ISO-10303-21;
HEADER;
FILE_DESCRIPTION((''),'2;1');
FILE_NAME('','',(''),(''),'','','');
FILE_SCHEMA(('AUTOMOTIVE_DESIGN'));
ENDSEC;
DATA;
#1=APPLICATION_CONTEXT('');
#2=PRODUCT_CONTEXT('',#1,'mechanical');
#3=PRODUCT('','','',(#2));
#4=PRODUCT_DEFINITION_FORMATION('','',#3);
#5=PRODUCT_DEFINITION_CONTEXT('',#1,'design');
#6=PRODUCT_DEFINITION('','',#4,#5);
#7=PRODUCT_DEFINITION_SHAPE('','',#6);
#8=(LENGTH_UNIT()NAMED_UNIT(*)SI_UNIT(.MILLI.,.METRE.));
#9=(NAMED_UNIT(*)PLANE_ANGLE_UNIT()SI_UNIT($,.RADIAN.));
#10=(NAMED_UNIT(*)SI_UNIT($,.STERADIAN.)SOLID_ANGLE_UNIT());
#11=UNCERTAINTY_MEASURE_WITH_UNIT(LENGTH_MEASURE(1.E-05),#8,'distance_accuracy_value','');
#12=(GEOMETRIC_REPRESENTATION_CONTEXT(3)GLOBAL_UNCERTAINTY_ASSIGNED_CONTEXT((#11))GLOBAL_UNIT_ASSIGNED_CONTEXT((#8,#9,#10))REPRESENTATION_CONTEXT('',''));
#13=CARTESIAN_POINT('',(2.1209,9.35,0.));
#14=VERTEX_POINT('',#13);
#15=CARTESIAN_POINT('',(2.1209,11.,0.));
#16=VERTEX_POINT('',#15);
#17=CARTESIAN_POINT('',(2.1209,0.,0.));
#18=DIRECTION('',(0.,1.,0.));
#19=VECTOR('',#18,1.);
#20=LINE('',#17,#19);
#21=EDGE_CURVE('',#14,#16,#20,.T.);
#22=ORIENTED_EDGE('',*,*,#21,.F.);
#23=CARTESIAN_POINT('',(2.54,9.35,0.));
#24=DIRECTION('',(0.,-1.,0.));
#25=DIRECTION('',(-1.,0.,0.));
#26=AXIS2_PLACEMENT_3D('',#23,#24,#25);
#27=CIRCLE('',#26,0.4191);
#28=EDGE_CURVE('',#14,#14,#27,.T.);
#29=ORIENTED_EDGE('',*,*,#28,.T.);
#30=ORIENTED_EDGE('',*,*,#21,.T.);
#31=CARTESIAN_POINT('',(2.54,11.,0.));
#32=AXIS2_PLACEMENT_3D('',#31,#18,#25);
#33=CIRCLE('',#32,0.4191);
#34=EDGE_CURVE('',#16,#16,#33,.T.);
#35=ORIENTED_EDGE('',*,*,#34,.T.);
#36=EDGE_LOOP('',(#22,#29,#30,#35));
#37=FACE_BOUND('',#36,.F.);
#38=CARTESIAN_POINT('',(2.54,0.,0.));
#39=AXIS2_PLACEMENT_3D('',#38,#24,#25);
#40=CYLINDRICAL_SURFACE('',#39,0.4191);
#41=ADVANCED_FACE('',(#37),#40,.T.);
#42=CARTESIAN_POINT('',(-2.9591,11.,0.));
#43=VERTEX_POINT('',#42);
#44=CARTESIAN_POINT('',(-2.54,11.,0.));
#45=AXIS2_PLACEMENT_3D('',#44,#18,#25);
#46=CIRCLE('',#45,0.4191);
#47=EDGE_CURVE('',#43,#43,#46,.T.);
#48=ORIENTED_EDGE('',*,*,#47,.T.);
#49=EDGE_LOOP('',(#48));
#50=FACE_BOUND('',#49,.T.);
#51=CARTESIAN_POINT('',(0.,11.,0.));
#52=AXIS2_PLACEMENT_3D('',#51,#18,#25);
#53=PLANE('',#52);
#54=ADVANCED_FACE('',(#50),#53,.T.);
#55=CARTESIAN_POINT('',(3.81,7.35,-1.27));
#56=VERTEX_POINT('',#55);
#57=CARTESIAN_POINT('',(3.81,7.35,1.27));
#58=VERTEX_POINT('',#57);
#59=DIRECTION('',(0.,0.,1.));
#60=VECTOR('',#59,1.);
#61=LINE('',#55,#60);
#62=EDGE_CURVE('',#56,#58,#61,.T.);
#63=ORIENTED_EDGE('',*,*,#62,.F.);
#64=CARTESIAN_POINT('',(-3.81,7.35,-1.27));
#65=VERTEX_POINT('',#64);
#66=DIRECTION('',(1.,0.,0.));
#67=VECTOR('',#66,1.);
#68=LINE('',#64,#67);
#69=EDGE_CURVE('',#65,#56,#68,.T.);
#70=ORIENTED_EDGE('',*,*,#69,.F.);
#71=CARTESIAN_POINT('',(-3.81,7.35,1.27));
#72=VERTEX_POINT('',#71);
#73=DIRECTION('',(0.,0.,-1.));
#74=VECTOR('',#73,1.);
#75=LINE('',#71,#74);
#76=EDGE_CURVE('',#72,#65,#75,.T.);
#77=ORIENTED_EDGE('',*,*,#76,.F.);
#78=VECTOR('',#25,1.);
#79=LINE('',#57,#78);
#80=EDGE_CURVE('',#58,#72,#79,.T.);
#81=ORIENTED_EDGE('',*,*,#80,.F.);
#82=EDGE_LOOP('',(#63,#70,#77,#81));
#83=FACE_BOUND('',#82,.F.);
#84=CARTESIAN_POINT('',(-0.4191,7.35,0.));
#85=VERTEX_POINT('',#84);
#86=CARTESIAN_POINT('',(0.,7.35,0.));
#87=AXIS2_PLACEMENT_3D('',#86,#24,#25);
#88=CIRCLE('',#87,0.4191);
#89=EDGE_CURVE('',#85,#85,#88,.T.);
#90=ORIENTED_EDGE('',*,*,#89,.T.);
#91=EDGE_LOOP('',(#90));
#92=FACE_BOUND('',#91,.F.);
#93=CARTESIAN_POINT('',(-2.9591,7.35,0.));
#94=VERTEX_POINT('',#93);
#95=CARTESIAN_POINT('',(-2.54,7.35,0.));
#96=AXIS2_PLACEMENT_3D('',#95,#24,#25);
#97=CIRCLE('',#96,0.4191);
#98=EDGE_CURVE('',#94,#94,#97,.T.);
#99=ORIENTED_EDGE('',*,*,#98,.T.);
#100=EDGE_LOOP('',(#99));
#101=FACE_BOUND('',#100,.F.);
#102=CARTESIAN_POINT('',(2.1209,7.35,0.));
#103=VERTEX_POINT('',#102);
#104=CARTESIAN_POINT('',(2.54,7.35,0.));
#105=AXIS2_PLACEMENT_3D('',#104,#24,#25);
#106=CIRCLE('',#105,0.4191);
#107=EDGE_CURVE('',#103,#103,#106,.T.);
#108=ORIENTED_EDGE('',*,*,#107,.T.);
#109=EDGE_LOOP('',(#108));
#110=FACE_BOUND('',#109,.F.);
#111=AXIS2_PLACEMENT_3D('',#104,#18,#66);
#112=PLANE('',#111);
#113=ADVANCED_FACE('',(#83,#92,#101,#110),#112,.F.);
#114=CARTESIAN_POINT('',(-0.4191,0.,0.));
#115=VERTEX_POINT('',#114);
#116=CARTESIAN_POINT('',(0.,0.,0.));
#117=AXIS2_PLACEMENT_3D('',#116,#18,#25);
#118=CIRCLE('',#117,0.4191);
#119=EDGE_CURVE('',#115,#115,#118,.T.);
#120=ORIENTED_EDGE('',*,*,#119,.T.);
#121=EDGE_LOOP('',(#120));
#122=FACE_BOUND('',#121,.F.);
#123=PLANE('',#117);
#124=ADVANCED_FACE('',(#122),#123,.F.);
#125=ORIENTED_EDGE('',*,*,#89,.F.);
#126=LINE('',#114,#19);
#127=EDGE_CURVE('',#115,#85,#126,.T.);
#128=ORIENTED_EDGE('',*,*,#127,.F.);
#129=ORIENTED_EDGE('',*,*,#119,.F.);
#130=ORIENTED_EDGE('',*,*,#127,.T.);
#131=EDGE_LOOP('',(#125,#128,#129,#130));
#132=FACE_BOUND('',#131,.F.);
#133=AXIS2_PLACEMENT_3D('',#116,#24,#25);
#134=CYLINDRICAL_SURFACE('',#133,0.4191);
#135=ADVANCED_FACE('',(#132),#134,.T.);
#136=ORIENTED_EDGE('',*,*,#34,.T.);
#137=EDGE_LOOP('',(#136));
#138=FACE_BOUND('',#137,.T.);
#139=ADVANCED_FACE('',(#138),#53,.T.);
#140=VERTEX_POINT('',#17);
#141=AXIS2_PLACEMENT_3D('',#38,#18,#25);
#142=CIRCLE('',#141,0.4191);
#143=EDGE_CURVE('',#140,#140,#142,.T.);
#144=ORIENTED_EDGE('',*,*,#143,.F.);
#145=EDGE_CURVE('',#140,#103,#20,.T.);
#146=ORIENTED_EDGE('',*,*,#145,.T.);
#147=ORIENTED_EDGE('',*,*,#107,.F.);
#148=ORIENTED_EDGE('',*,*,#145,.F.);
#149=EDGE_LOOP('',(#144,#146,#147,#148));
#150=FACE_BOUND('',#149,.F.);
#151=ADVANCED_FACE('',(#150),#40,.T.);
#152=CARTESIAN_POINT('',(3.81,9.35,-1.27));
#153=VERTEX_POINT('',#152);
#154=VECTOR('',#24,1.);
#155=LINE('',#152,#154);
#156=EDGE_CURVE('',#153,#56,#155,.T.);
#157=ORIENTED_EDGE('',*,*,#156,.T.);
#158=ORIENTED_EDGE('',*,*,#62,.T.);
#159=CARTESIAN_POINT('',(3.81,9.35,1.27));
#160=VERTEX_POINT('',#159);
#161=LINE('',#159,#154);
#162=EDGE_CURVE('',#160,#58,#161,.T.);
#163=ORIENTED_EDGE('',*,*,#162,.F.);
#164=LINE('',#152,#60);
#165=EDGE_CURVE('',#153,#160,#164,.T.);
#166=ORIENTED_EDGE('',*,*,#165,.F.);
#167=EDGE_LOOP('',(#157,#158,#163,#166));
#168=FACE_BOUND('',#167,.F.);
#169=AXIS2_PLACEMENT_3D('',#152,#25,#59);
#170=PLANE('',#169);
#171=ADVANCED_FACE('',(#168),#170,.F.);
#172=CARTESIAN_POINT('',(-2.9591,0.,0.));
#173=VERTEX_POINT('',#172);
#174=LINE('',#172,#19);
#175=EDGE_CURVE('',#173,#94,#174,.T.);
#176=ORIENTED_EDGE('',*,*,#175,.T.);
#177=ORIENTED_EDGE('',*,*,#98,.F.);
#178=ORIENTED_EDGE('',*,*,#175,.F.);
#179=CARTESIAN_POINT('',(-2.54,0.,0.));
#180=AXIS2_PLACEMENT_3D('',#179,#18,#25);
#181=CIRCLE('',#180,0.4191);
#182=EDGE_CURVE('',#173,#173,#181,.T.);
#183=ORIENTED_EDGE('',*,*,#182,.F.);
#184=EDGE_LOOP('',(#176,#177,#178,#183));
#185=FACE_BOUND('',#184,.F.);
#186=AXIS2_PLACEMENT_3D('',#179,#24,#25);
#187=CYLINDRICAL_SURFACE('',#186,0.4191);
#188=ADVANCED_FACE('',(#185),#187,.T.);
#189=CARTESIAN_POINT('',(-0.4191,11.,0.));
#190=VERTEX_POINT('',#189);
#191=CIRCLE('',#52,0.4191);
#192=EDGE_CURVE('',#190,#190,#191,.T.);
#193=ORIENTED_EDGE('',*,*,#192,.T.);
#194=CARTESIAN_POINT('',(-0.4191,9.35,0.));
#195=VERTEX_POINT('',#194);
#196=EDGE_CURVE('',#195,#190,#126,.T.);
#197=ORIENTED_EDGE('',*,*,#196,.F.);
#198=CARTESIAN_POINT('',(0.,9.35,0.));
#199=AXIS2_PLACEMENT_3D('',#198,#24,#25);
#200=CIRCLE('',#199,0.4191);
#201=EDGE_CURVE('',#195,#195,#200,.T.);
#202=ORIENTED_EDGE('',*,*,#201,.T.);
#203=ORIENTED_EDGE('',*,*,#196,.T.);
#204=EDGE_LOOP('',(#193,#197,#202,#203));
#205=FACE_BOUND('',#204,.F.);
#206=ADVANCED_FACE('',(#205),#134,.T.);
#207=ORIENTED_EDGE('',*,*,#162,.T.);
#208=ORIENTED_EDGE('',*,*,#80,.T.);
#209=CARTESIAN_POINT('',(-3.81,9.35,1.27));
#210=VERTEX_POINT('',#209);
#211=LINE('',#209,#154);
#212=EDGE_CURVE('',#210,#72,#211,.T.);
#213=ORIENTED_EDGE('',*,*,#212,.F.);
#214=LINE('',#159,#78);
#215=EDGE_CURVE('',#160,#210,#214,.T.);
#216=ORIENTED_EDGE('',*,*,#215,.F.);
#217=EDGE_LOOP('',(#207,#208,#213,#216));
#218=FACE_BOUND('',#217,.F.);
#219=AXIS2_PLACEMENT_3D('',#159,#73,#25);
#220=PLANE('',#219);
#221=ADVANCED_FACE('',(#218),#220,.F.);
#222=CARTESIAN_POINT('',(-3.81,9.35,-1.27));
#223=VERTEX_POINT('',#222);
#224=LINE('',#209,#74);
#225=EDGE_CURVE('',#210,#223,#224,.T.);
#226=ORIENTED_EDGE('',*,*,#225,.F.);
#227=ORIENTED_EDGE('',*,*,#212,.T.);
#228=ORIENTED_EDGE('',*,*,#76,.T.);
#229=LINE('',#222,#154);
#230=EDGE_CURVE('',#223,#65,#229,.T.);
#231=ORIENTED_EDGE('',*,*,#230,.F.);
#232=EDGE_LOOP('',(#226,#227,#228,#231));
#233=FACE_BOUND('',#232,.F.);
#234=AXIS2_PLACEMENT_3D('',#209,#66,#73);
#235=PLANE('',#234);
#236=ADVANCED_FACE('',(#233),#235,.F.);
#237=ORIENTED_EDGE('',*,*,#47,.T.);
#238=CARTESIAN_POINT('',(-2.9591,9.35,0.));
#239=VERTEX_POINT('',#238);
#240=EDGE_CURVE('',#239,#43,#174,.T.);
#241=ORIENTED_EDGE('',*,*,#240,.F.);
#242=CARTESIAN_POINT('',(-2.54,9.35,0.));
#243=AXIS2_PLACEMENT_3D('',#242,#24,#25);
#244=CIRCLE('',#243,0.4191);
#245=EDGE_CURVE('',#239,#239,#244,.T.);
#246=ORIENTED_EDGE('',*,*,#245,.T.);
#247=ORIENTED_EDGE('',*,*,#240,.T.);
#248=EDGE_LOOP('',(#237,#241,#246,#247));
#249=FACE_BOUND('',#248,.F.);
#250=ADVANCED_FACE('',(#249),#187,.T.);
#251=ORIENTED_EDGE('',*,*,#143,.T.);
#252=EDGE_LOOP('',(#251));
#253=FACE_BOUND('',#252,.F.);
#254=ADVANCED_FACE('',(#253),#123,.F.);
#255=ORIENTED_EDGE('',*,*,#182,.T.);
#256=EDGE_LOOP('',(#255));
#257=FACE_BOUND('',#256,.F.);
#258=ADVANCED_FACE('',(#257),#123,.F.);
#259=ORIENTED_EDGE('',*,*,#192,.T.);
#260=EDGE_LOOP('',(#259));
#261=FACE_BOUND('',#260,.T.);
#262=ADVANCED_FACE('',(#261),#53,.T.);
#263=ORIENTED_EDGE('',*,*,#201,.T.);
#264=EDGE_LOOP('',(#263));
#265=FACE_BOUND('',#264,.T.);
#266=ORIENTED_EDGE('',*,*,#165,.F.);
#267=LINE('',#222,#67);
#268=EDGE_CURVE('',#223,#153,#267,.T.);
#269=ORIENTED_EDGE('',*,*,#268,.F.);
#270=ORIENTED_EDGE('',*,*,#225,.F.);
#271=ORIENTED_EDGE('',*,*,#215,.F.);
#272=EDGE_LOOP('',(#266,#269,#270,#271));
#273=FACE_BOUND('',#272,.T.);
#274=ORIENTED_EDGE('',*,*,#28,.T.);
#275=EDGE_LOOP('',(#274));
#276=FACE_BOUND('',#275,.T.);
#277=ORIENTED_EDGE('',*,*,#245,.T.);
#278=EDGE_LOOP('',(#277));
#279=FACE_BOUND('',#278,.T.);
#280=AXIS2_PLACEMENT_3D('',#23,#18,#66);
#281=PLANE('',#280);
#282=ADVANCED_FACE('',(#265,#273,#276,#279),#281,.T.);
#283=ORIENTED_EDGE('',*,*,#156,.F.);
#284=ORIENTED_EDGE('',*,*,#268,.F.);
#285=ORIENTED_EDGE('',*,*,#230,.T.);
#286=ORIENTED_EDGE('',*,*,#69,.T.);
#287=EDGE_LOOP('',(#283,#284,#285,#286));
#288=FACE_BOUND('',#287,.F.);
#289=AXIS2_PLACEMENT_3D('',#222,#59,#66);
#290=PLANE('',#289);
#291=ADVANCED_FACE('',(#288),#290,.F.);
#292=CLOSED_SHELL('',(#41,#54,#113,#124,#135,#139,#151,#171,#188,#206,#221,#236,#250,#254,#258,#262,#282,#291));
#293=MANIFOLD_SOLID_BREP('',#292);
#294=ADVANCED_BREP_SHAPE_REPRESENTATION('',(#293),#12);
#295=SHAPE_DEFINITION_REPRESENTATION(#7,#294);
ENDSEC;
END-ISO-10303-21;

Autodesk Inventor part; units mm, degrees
ref_plane "YZ Plane" through (0, 0, 0) normal (1, 0, 0) x (0, 1, 0)
ref_plane "XZ Plane" through (0, 0, 0) normal (0, 1, 0) x (-1, 0, 0)
sketch "Sketch1" plane through (0, 0, 0) normal (0, 1, 0) x (-1, 0, 0)
  circle A0 centre (0, 0) radius 0.4191
  circle A1 centre (2.54, 0) radius 0.4191
  circle A2 centre (-2.54, 0) radius 0.4191
  dimension "d0" = 0.8382
  dimension "d1" = 0.8382
  dimension "d2" = 0.8382
  dimension "d3" = 2.54
  dimension "d4" = 2.54
extrude "Extrusion1" add sketch "Sketch1" along normal blind 11
ref_plane "Work Plane1" through (2.54, 9.35, 0) normal (0, 1, 0) x (1, 0, 0)
sketch "Sketch2" plane through (2.54, 9.35, 0) normal (0, 1, 0) x (1, 0, 0)
  line L0 (-6.35, 1.27) -> (1.27, 1.27)
  line L1 (1.27, 1.27) -> (1.27, -1.27)
  line L2 (1.27, -1.27) -> (-6.35, -1.27)
  line L3 (-6.35, -1.27) -> (-6.35, 1.27)
  point P0 (-2.54, 0)
  dimension "d8" = 3.81
  dimension "d9" = 3.81
  dimension "d10" = 1.27
  dimension "d11" = 2.54
extrude "Extrusion2" add sketch "Sketch2" against normal blind 2
properties part number "PinHeader"
